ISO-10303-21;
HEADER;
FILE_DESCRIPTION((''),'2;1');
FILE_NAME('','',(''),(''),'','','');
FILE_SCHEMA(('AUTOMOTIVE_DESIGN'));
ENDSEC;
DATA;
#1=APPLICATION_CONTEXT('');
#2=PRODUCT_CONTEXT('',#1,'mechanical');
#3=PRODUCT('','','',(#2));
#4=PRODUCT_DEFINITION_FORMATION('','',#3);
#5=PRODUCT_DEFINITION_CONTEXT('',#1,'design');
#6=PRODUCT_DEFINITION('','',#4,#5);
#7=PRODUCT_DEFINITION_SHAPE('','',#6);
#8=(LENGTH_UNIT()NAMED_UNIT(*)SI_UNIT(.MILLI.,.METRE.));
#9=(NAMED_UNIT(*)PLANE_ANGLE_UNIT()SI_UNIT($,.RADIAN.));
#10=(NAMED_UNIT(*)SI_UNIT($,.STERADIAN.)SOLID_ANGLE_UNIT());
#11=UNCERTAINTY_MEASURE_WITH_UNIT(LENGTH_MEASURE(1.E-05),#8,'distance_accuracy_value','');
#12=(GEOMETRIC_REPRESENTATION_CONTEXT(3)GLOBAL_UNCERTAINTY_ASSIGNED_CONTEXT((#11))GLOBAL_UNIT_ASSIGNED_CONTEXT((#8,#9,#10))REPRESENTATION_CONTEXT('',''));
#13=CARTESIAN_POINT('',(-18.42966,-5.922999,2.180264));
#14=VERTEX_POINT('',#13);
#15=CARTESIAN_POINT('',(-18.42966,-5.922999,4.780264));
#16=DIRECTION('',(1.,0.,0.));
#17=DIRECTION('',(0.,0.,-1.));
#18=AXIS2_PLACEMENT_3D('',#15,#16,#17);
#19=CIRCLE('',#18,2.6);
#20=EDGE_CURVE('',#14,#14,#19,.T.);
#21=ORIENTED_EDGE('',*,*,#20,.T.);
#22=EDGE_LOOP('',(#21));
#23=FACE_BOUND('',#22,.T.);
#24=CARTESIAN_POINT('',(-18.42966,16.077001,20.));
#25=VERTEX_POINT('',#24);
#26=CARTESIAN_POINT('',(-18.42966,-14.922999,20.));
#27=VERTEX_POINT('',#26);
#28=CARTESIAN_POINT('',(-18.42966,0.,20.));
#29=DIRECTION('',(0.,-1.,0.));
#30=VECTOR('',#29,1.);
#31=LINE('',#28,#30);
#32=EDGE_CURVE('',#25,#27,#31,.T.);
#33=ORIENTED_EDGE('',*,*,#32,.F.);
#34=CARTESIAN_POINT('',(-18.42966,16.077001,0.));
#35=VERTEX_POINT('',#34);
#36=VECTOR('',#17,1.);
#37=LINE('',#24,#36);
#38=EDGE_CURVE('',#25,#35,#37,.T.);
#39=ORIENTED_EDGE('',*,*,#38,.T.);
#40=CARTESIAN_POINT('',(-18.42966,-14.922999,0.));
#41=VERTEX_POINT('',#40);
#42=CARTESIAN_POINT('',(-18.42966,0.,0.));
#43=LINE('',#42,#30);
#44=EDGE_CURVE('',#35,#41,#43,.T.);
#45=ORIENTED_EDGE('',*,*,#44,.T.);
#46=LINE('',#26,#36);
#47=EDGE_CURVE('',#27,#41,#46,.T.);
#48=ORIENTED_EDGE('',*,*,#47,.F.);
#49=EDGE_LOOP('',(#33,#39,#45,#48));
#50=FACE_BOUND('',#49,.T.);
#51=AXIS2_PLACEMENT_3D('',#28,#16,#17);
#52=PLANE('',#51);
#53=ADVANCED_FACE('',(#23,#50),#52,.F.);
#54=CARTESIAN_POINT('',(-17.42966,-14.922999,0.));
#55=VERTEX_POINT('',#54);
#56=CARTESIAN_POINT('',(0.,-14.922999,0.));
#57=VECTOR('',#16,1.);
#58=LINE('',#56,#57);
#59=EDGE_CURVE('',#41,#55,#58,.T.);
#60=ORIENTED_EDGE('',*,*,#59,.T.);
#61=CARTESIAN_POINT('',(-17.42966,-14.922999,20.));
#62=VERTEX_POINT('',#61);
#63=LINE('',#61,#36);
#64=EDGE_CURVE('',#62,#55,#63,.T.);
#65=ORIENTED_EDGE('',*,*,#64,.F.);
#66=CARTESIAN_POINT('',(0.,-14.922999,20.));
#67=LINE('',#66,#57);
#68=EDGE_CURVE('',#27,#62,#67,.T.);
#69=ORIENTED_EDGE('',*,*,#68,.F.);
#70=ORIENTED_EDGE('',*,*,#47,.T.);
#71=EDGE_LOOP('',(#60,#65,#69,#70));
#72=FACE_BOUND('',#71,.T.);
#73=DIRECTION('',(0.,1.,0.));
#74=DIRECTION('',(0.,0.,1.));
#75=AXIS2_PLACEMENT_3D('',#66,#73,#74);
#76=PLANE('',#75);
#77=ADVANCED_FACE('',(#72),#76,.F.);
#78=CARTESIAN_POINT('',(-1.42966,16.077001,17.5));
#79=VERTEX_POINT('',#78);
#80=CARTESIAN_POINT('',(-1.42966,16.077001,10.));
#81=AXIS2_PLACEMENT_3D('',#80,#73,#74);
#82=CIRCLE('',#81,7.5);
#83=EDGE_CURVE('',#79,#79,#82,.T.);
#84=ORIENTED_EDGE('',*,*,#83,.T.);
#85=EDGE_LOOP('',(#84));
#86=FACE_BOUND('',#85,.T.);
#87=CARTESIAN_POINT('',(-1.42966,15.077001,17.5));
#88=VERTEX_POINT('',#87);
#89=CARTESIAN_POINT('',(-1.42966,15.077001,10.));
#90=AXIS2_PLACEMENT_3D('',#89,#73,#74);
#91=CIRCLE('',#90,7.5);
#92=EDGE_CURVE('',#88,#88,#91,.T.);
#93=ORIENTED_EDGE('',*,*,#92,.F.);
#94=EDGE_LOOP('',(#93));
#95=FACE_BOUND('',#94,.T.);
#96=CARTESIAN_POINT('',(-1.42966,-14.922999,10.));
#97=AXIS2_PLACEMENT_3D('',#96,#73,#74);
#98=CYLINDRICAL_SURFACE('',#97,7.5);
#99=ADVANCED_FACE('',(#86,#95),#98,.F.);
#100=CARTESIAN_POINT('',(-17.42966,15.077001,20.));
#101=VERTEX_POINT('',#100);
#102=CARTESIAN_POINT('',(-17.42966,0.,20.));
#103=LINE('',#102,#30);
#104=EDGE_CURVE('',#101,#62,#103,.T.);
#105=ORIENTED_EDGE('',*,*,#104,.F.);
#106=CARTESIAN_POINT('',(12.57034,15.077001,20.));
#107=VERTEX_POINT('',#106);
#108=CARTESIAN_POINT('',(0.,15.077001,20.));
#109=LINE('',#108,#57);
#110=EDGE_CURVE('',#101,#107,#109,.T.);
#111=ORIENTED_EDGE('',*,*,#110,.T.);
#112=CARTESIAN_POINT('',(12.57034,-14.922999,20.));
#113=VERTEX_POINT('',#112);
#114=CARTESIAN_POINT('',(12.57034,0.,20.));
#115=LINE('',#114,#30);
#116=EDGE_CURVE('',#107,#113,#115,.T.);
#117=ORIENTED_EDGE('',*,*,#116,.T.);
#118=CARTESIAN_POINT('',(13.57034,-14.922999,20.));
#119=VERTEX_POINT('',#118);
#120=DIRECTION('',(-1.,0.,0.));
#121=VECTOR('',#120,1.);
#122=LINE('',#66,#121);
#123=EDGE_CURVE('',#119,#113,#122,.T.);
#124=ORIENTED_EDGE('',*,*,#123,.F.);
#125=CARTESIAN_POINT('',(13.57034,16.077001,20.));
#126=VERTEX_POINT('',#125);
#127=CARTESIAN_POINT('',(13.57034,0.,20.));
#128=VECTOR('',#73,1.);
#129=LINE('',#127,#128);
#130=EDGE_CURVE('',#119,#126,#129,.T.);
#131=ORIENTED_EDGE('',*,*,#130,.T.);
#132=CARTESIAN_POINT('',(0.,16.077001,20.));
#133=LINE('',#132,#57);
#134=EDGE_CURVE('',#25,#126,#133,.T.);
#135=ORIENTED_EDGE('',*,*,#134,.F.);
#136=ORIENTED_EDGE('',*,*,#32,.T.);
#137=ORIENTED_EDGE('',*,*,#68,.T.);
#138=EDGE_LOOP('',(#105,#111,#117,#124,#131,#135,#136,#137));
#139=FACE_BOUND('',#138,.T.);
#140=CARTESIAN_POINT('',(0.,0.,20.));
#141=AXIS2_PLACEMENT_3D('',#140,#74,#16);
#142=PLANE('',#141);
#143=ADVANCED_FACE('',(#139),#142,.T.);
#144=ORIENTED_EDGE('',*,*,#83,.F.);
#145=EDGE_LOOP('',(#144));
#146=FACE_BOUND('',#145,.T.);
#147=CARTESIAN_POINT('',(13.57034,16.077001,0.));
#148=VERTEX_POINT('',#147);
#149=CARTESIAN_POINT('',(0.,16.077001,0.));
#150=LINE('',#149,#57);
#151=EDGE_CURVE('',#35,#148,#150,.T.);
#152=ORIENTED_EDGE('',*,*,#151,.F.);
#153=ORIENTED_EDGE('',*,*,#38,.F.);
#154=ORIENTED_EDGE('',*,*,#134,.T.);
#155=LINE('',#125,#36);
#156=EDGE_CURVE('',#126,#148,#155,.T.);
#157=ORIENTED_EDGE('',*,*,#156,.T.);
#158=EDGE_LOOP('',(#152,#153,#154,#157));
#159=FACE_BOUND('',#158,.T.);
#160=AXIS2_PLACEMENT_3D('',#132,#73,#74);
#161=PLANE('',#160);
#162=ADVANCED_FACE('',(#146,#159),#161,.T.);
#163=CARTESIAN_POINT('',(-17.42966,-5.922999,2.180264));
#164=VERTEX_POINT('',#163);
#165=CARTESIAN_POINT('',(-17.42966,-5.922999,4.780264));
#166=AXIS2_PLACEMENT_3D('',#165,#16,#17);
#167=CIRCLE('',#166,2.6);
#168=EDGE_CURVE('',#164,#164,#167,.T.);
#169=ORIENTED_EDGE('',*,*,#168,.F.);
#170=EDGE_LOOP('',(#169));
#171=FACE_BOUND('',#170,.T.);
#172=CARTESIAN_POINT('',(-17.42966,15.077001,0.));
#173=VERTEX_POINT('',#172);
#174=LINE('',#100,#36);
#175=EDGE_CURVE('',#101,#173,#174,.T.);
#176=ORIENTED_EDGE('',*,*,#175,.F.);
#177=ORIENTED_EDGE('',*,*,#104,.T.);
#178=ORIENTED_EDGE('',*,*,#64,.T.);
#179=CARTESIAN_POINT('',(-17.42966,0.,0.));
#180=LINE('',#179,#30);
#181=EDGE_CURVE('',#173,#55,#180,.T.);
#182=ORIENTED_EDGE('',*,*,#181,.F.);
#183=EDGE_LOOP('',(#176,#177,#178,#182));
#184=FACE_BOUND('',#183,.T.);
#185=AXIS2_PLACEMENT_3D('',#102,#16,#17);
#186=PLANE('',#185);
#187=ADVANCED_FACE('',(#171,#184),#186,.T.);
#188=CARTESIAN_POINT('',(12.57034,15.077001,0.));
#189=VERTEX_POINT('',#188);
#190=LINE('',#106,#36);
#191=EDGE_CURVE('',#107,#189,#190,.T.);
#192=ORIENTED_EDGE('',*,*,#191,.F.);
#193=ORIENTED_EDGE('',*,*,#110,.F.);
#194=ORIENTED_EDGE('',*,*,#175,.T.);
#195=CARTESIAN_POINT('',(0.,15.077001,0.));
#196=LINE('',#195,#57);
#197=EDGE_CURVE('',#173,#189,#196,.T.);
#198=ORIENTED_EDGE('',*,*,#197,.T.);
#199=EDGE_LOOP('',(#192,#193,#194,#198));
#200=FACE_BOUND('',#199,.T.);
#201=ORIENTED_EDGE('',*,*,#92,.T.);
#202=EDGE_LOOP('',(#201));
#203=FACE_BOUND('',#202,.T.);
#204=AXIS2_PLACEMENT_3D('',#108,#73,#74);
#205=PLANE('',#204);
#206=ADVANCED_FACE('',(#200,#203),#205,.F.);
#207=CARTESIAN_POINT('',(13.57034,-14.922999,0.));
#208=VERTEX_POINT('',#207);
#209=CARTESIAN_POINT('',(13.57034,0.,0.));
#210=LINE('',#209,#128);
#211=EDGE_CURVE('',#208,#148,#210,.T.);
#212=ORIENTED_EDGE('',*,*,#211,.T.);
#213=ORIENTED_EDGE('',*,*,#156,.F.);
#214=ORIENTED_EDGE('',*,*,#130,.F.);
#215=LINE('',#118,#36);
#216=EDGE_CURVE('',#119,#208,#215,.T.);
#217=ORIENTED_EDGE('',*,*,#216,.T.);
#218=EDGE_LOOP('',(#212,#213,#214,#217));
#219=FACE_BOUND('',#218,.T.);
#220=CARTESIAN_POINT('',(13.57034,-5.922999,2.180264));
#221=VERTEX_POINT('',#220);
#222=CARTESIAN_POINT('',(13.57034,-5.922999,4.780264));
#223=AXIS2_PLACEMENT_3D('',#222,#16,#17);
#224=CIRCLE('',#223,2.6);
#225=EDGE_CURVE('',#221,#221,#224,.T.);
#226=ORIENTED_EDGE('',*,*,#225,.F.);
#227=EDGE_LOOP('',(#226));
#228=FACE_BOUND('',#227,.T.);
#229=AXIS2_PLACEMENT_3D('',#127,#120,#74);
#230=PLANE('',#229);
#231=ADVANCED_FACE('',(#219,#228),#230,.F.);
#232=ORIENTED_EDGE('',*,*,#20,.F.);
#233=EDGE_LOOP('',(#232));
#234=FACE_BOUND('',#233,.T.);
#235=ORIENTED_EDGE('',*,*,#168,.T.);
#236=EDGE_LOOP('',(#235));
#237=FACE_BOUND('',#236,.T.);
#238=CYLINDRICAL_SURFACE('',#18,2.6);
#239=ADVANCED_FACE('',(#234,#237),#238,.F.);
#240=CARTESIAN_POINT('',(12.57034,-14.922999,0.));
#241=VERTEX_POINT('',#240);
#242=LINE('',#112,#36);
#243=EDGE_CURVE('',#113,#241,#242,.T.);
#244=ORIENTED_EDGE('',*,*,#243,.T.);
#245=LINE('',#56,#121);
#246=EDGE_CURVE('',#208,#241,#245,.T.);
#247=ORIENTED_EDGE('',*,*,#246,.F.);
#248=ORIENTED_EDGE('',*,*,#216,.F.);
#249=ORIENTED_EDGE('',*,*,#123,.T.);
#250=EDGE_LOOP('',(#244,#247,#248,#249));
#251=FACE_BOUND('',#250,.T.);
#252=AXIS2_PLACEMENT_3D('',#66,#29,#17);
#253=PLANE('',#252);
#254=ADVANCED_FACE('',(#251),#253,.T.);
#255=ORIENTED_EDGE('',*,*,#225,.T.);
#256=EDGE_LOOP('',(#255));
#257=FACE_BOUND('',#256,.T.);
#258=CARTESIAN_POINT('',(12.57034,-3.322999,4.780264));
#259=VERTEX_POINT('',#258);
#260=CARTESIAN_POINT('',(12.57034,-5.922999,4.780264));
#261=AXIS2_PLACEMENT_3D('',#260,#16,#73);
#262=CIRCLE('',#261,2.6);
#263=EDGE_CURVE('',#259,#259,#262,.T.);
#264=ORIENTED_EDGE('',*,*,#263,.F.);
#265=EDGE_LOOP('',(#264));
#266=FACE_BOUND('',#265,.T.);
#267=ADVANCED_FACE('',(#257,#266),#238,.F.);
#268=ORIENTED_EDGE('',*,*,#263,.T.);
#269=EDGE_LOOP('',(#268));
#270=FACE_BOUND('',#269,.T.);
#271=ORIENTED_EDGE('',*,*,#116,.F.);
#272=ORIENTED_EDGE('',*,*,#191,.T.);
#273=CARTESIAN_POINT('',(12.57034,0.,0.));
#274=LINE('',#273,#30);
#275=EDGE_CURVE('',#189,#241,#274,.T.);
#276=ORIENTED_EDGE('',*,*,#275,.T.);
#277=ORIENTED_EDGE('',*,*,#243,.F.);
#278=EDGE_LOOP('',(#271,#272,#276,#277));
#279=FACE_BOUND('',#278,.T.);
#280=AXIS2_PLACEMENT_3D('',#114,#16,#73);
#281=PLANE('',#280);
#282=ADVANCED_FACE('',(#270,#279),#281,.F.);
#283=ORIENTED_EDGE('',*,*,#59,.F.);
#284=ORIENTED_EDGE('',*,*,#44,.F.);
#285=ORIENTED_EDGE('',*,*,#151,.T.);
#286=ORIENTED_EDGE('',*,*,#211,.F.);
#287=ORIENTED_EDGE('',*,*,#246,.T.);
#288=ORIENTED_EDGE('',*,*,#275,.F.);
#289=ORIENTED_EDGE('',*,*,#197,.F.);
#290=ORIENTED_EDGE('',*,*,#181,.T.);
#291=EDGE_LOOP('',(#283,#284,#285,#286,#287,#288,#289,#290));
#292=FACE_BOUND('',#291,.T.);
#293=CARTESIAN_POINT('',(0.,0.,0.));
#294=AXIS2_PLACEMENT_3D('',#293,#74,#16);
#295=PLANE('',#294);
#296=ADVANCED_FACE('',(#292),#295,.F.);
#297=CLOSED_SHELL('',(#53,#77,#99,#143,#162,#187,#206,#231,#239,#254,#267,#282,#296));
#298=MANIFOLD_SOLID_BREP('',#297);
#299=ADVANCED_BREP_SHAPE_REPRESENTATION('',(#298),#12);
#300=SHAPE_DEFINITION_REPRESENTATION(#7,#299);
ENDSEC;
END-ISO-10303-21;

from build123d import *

# Parameters (mm, degrees)
SKETCH10_W          = 1
SKETCH10_H          = 30
BOSS_EXTRUDE1_DEPTH = 20
SKETCH11_R          = 2.6
CUT_EXTRUDE1_DEPTH  = 42.01792231
SKETCH12_R          = 7.5
CUT_EXTRUDE2_DEPTH  = 42.238966794


with BuildPart() as part:
    # Sketch10 → Boss-Extrude1 (new body)
    with BuildSketch(Plane.XY):
        with Locations((-17.929660394, 0.077000672)):
            Rectangle(SKETCH10_W, SKETCH10_H)
        with Locations((13.070339606, 0.077000672)):
            Rectangle(SKETCH10_W, SKETCH10_H)
        Polygon((-18.429660394, 16.077000672), (-18.429660394, 15.077000672), (-17.429660394, 15.077000672), (12.570339606, 15.077000672), (13.570339606, 15.077000672), (13.570339606, 16.077000672), align=None)
    extrude(amount=BOSS_EXTRUDE1_DEPTH)

    # Sketch11 → Cut-Extrude1 (cut, through all)
    with BuildSketch(Plane(origin=(13.570339606, 0, 0), x_dir=(0, 0, -1), z_dir=(1, 0, 0))):
        with Locations((-4.780263521, -5.922999328)):
            Circle(SKETCH11_R)
    extrude(amount=-CUT_EXTRUDE1_DEPTH, mode=Mode.SUBTRACT)

    # Sketch12 → Cut-Extrude2 (cut, through all)
    with BuildSketch(Plane(origin=(0, 16.077000672, 0), x_dir=(1, 0, 0), z_dir=(0, 1, 0))):
        with Locations(Location((-1.429660394, -10, 0), (0, 0, 270))):
            Circle(SKETCH12_R)
    extrude(amount=-CUT_EXTRUDE2_DEPTH, mode=Mode.SUBTRACT)


solid = part.part
